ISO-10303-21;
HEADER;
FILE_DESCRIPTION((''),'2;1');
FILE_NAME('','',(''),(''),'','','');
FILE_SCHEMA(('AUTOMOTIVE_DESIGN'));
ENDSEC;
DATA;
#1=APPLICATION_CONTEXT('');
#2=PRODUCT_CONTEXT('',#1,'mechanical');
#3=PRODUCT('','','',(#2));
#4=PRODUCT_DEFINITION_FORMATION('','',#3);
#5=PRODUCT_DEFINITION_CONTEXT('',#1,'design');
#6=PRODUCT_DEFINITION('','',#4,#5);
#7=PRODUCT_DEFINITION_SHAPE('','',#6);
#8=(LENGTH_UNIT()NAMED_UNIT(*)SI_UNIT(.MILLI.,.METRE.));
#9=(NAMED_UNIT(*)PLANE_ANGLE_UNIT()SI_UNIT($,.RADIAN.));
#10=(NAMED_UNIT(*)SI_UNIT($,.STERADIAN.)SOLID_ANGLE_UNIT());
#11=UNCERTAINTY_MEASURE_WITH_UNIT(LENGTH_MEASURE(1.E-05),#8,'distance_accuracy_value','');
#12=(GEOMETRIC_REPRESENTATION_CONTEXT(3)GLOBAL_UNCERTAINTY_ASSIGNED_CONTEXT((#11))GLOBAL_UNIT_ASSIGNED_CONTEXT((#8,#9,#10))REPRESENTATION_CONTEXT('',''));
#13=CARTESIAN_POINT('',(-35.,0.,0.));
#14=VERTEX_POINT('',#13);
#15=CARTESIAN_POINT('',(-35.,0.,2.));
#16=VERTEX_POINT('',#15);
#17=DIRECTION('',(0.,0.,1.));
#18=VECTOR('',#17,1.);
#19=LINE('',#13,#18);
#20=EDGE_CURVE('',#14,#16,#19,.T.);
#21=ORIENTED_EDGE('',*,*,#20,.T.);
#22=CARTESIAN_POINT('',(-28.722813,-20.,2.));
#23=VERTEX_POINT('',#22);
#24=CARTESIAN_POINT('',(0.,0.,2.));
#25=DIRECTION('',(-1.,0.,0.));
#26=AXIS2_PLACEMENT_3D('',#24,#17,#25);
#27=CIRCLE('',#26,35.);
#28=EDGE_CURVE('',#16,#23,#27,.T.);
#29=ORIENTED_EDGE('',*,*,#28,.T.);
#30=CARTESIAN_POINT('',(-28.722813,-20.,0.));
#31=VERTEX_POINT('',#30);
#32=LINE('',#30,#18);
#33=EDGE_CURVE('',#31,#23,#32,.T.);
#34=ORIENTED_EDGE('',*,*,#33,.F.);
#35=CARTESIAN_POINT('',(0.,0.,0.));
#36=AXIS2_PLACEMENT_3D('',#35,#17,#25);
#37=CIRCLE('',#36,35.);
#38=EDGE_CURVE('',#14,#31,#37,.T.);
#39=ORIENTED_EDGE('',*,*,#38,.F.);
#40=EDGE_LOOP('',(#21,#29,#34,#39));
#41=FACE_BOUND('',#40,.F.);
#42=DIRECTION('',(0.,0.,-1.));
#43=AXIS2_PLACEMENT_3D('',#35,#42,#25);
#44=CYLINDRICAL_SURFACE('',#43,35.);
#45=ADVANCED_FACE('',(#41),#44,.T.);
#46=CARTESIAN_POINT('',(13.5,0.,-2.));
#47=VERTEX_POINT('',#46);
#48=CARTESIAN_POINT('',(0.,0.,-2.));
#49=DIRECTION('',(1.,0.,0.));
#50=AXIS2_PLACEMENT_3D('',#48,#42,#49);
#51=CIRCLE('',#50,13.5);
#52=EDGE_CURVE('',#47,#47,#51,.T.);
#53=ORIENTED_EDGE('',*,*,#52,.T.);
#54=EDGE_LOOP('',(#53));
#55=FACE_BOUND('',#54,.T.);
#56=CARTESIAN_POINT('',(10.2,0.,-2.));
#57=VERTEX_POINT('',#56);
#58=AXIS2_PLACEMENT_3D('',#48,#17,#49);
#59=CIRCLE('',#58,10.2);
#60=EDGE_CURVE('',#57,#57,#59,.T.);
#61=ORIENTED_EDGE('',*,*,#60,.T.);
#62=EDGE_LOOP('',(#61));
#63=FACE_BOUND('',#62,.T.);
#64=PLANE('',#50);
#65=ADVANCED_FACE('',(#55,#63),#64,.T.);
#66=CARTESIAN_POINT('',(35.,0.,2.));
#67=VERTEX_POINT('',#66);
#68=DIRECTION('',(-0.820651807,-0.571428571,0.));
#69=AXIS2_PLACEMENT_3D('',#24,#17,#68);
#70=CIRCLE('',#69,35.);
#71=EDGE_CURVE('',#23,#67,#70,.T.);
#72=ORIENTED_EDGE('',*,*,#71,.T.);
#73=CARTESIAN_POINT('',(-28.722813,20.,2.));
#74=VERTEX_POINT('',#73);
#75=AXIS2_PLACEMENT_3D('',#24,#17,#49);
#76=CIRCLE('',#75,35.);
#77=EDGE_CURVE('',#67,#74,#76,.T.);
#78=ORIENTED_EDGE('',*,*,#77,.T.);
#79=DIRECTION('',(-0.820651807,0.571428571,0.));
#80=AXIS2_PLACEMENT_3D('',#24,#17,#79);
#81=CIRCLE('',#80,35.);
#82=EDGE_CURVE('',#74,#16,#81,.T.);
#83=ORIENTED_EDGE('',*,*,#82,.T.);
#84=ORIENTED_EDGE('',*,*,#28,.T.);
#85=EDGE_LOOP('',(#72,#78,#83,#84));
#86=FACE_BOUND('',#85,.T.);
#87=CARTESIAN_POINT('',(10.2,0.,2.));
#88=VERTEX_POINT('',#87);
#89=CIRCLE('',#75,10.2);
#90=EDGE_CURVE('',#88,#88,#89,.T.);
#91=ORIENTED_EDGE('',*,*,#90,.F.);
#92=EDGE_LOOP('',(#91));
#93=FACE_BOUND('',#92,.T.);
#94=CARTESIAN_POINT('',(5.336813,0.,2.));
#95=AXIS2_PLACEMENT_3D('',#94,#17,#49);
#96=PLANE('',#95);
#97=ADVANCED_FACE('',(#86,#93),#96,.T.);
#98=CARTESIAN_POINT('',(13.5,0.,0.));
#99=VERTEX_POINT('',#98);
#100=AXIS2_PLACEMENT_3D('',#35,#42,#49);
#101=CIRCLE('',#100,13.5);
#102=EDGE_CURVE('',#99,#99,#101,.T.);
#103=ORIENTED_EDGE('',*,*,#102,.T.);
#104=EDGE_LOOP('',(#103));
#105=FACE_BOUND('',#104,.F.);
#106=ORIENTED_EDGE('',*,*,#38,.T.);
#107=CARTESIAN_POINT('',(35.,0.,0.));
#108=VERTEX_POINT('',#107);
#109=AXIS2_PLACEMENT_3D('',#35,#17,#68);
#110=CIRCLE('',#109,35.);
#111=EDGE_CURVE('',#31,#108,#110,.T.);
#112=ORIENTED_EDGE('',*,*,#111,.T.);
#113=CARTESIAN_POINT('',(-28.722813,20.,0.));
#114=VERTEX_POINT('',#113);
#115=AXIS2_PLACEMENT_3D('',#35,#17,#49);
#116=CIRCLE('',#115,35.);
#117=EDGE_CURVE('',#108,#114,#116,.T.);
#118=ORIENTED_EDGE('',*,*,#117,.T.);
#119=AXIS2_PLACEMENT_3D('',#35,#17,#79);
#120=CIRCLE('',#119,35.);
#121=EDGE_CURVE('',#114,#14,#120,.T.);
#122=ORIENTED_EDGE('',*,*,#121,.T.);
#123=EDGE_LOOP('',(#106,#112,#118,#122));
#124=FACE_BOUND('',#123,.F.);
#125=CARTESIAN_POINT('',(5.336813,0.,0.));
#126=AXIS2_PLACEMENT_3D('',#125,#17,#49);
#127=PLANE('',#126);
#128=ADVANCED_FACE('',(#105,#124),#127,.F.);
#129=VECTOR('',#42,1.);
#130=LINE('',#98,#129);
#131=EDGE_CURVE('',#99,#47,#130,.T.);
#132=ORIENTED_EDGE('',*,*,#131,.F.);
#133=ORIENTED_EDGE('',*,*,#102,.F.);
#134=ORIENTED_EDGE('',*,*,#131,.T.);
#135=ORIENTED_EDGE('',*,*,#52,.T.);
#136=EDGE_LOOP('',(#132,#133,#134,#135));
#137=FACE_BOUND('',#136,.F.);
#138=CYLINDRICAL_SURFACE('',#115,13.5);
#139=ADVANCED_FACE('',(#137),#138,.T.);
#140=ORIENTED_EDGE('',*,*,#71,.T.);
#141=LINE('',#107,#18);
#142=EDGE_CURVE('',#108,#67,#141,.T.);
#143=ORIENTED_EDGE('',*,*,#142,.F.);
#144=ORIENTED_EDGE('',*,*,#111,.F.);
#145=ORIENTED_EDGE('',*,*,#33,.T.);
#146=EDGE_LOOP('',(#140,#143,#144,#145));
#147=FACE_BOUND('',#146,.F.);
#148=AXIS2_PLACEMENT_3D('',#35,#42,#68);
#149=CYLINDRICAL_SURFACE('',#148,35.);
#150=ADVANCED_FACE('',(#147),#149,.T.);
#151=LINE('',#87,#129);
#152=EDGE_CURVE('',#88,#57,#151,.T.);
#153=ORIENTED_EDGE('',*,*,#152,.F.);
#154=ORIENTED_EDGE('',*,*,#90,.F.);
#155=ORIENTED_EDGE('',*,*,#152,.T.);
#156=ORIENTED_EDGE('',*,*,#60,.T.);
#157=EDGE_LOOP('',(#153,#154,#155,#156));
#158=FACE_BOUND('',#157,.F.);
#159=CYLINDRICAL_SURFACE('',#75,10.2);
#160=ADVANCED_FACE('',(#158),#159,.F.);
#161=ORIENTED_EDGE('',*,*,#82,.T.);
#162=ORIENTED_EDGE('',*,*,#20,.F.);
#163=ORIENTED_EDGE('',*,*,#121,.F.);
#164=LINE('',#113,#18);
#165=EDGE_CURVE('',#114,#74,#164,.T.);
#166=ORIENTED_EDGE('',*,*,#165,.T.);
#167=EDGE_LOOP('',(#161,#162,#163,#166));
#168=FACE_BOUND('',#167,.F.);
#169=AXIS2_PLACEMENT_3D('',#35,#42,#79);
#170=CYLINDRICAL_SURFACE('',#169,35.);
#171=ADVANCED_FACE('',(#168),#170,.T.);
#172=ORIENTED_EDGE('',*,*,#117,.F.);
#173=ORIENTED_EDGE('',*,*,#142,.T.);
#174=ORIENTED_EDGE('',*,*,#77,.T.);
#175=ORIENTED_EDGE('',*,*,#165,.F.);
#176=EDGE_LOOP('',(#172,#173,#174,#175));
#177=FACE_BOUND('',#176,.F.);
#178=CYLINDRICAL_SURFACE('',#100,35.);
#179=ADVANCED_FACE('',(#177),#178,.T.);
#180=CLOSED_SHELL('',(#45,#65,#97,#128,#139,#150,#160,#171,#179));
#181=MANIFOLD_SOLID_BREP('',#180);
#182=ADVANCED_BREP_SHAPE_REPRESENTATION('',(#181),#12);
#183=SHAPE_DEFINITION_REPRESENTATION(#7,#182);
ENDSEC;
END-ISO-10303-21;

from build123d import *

# Parameters (mm, degrees)
F1_DEPTH = 3
F2_R     = 13.5
F2_R_2   = 10
F3_DEPTH = 2
F4_DEPTH = 1
F5_R     = 10.2
F5_R_2   = 10
F6_DEPTH = 25


with BuildPart() as f1:
    # F0 (on Top) → F1 (new body)
    with BuildSketch(Plane.XY):
        with BuildLine():
            ThreePointArc((35, 0), (10.4809717311, 33.3938502059), (-28.7228132327, 20))
            Line((-28.7228132327, 20), (20, 20))
            Line((20, 20), (20, -20))
            Line((20, -20), (-28.7228132327, -20))
            ThreePointArc((-28.7228132327, -20), (10.4809717311, -33.3938502059), (35, 0))
        make_face()
        with BuildLine():
            ThreePointArc((-28.7228132327, 20), (-33.3938502059, 10.4809717311), (-35, 0))
            ThreePointArc((-35, 0), (-33.3938502059, -10.4809717311), (-28.7228132327, -20))
            Line((-28.7228132327, -20), (20, -20))
            Line((20, -20), (20, 20))
            Line((20, 20), (-28.7228132327, 20))
        make_face()
        with BuildLine():
            ThreePointArc((-10, 0), (0, 10), (10, 0))
            ThreePointArc((10, 0), (0, -10), (-10, 0))
        make_face(mode=Mode.SUBTRACT)
    extrude(amount=F1_DEPTH)

    # F2 (on face) → F3 (join)
    with BuildSketch(Plane(origin=(0, 0, 0), x_dir=(1, 0, 0), z_dir=(0, 0, -1))):
        Circle(F2_R)
        Circle(F2_R_2, mode=Mode.SUBTRACT)
    extrude(amount=F3_DEPTH)

    # F4 (cut): a face of the model
    f4_faces = [f1.faces().sort_by_distance(p)[0] for p in [
        (-34.0100505063, 0, 3),
    ]]
    extrude(f4_faces, amount=-F4_DEPTH, mode=Mode.SUBTRACT)

    # F5 (on face) → F6 (cut)
    with BuildSketch(Plane.XY.offset(2)):
        Circle(F5_R)
        Circle(F5_R_2, mode=Mode.SUBTRACT)
    extrude(amount=-F6_DEPTH, mode=Mode.SUBTRACT)


solid = f1.part
